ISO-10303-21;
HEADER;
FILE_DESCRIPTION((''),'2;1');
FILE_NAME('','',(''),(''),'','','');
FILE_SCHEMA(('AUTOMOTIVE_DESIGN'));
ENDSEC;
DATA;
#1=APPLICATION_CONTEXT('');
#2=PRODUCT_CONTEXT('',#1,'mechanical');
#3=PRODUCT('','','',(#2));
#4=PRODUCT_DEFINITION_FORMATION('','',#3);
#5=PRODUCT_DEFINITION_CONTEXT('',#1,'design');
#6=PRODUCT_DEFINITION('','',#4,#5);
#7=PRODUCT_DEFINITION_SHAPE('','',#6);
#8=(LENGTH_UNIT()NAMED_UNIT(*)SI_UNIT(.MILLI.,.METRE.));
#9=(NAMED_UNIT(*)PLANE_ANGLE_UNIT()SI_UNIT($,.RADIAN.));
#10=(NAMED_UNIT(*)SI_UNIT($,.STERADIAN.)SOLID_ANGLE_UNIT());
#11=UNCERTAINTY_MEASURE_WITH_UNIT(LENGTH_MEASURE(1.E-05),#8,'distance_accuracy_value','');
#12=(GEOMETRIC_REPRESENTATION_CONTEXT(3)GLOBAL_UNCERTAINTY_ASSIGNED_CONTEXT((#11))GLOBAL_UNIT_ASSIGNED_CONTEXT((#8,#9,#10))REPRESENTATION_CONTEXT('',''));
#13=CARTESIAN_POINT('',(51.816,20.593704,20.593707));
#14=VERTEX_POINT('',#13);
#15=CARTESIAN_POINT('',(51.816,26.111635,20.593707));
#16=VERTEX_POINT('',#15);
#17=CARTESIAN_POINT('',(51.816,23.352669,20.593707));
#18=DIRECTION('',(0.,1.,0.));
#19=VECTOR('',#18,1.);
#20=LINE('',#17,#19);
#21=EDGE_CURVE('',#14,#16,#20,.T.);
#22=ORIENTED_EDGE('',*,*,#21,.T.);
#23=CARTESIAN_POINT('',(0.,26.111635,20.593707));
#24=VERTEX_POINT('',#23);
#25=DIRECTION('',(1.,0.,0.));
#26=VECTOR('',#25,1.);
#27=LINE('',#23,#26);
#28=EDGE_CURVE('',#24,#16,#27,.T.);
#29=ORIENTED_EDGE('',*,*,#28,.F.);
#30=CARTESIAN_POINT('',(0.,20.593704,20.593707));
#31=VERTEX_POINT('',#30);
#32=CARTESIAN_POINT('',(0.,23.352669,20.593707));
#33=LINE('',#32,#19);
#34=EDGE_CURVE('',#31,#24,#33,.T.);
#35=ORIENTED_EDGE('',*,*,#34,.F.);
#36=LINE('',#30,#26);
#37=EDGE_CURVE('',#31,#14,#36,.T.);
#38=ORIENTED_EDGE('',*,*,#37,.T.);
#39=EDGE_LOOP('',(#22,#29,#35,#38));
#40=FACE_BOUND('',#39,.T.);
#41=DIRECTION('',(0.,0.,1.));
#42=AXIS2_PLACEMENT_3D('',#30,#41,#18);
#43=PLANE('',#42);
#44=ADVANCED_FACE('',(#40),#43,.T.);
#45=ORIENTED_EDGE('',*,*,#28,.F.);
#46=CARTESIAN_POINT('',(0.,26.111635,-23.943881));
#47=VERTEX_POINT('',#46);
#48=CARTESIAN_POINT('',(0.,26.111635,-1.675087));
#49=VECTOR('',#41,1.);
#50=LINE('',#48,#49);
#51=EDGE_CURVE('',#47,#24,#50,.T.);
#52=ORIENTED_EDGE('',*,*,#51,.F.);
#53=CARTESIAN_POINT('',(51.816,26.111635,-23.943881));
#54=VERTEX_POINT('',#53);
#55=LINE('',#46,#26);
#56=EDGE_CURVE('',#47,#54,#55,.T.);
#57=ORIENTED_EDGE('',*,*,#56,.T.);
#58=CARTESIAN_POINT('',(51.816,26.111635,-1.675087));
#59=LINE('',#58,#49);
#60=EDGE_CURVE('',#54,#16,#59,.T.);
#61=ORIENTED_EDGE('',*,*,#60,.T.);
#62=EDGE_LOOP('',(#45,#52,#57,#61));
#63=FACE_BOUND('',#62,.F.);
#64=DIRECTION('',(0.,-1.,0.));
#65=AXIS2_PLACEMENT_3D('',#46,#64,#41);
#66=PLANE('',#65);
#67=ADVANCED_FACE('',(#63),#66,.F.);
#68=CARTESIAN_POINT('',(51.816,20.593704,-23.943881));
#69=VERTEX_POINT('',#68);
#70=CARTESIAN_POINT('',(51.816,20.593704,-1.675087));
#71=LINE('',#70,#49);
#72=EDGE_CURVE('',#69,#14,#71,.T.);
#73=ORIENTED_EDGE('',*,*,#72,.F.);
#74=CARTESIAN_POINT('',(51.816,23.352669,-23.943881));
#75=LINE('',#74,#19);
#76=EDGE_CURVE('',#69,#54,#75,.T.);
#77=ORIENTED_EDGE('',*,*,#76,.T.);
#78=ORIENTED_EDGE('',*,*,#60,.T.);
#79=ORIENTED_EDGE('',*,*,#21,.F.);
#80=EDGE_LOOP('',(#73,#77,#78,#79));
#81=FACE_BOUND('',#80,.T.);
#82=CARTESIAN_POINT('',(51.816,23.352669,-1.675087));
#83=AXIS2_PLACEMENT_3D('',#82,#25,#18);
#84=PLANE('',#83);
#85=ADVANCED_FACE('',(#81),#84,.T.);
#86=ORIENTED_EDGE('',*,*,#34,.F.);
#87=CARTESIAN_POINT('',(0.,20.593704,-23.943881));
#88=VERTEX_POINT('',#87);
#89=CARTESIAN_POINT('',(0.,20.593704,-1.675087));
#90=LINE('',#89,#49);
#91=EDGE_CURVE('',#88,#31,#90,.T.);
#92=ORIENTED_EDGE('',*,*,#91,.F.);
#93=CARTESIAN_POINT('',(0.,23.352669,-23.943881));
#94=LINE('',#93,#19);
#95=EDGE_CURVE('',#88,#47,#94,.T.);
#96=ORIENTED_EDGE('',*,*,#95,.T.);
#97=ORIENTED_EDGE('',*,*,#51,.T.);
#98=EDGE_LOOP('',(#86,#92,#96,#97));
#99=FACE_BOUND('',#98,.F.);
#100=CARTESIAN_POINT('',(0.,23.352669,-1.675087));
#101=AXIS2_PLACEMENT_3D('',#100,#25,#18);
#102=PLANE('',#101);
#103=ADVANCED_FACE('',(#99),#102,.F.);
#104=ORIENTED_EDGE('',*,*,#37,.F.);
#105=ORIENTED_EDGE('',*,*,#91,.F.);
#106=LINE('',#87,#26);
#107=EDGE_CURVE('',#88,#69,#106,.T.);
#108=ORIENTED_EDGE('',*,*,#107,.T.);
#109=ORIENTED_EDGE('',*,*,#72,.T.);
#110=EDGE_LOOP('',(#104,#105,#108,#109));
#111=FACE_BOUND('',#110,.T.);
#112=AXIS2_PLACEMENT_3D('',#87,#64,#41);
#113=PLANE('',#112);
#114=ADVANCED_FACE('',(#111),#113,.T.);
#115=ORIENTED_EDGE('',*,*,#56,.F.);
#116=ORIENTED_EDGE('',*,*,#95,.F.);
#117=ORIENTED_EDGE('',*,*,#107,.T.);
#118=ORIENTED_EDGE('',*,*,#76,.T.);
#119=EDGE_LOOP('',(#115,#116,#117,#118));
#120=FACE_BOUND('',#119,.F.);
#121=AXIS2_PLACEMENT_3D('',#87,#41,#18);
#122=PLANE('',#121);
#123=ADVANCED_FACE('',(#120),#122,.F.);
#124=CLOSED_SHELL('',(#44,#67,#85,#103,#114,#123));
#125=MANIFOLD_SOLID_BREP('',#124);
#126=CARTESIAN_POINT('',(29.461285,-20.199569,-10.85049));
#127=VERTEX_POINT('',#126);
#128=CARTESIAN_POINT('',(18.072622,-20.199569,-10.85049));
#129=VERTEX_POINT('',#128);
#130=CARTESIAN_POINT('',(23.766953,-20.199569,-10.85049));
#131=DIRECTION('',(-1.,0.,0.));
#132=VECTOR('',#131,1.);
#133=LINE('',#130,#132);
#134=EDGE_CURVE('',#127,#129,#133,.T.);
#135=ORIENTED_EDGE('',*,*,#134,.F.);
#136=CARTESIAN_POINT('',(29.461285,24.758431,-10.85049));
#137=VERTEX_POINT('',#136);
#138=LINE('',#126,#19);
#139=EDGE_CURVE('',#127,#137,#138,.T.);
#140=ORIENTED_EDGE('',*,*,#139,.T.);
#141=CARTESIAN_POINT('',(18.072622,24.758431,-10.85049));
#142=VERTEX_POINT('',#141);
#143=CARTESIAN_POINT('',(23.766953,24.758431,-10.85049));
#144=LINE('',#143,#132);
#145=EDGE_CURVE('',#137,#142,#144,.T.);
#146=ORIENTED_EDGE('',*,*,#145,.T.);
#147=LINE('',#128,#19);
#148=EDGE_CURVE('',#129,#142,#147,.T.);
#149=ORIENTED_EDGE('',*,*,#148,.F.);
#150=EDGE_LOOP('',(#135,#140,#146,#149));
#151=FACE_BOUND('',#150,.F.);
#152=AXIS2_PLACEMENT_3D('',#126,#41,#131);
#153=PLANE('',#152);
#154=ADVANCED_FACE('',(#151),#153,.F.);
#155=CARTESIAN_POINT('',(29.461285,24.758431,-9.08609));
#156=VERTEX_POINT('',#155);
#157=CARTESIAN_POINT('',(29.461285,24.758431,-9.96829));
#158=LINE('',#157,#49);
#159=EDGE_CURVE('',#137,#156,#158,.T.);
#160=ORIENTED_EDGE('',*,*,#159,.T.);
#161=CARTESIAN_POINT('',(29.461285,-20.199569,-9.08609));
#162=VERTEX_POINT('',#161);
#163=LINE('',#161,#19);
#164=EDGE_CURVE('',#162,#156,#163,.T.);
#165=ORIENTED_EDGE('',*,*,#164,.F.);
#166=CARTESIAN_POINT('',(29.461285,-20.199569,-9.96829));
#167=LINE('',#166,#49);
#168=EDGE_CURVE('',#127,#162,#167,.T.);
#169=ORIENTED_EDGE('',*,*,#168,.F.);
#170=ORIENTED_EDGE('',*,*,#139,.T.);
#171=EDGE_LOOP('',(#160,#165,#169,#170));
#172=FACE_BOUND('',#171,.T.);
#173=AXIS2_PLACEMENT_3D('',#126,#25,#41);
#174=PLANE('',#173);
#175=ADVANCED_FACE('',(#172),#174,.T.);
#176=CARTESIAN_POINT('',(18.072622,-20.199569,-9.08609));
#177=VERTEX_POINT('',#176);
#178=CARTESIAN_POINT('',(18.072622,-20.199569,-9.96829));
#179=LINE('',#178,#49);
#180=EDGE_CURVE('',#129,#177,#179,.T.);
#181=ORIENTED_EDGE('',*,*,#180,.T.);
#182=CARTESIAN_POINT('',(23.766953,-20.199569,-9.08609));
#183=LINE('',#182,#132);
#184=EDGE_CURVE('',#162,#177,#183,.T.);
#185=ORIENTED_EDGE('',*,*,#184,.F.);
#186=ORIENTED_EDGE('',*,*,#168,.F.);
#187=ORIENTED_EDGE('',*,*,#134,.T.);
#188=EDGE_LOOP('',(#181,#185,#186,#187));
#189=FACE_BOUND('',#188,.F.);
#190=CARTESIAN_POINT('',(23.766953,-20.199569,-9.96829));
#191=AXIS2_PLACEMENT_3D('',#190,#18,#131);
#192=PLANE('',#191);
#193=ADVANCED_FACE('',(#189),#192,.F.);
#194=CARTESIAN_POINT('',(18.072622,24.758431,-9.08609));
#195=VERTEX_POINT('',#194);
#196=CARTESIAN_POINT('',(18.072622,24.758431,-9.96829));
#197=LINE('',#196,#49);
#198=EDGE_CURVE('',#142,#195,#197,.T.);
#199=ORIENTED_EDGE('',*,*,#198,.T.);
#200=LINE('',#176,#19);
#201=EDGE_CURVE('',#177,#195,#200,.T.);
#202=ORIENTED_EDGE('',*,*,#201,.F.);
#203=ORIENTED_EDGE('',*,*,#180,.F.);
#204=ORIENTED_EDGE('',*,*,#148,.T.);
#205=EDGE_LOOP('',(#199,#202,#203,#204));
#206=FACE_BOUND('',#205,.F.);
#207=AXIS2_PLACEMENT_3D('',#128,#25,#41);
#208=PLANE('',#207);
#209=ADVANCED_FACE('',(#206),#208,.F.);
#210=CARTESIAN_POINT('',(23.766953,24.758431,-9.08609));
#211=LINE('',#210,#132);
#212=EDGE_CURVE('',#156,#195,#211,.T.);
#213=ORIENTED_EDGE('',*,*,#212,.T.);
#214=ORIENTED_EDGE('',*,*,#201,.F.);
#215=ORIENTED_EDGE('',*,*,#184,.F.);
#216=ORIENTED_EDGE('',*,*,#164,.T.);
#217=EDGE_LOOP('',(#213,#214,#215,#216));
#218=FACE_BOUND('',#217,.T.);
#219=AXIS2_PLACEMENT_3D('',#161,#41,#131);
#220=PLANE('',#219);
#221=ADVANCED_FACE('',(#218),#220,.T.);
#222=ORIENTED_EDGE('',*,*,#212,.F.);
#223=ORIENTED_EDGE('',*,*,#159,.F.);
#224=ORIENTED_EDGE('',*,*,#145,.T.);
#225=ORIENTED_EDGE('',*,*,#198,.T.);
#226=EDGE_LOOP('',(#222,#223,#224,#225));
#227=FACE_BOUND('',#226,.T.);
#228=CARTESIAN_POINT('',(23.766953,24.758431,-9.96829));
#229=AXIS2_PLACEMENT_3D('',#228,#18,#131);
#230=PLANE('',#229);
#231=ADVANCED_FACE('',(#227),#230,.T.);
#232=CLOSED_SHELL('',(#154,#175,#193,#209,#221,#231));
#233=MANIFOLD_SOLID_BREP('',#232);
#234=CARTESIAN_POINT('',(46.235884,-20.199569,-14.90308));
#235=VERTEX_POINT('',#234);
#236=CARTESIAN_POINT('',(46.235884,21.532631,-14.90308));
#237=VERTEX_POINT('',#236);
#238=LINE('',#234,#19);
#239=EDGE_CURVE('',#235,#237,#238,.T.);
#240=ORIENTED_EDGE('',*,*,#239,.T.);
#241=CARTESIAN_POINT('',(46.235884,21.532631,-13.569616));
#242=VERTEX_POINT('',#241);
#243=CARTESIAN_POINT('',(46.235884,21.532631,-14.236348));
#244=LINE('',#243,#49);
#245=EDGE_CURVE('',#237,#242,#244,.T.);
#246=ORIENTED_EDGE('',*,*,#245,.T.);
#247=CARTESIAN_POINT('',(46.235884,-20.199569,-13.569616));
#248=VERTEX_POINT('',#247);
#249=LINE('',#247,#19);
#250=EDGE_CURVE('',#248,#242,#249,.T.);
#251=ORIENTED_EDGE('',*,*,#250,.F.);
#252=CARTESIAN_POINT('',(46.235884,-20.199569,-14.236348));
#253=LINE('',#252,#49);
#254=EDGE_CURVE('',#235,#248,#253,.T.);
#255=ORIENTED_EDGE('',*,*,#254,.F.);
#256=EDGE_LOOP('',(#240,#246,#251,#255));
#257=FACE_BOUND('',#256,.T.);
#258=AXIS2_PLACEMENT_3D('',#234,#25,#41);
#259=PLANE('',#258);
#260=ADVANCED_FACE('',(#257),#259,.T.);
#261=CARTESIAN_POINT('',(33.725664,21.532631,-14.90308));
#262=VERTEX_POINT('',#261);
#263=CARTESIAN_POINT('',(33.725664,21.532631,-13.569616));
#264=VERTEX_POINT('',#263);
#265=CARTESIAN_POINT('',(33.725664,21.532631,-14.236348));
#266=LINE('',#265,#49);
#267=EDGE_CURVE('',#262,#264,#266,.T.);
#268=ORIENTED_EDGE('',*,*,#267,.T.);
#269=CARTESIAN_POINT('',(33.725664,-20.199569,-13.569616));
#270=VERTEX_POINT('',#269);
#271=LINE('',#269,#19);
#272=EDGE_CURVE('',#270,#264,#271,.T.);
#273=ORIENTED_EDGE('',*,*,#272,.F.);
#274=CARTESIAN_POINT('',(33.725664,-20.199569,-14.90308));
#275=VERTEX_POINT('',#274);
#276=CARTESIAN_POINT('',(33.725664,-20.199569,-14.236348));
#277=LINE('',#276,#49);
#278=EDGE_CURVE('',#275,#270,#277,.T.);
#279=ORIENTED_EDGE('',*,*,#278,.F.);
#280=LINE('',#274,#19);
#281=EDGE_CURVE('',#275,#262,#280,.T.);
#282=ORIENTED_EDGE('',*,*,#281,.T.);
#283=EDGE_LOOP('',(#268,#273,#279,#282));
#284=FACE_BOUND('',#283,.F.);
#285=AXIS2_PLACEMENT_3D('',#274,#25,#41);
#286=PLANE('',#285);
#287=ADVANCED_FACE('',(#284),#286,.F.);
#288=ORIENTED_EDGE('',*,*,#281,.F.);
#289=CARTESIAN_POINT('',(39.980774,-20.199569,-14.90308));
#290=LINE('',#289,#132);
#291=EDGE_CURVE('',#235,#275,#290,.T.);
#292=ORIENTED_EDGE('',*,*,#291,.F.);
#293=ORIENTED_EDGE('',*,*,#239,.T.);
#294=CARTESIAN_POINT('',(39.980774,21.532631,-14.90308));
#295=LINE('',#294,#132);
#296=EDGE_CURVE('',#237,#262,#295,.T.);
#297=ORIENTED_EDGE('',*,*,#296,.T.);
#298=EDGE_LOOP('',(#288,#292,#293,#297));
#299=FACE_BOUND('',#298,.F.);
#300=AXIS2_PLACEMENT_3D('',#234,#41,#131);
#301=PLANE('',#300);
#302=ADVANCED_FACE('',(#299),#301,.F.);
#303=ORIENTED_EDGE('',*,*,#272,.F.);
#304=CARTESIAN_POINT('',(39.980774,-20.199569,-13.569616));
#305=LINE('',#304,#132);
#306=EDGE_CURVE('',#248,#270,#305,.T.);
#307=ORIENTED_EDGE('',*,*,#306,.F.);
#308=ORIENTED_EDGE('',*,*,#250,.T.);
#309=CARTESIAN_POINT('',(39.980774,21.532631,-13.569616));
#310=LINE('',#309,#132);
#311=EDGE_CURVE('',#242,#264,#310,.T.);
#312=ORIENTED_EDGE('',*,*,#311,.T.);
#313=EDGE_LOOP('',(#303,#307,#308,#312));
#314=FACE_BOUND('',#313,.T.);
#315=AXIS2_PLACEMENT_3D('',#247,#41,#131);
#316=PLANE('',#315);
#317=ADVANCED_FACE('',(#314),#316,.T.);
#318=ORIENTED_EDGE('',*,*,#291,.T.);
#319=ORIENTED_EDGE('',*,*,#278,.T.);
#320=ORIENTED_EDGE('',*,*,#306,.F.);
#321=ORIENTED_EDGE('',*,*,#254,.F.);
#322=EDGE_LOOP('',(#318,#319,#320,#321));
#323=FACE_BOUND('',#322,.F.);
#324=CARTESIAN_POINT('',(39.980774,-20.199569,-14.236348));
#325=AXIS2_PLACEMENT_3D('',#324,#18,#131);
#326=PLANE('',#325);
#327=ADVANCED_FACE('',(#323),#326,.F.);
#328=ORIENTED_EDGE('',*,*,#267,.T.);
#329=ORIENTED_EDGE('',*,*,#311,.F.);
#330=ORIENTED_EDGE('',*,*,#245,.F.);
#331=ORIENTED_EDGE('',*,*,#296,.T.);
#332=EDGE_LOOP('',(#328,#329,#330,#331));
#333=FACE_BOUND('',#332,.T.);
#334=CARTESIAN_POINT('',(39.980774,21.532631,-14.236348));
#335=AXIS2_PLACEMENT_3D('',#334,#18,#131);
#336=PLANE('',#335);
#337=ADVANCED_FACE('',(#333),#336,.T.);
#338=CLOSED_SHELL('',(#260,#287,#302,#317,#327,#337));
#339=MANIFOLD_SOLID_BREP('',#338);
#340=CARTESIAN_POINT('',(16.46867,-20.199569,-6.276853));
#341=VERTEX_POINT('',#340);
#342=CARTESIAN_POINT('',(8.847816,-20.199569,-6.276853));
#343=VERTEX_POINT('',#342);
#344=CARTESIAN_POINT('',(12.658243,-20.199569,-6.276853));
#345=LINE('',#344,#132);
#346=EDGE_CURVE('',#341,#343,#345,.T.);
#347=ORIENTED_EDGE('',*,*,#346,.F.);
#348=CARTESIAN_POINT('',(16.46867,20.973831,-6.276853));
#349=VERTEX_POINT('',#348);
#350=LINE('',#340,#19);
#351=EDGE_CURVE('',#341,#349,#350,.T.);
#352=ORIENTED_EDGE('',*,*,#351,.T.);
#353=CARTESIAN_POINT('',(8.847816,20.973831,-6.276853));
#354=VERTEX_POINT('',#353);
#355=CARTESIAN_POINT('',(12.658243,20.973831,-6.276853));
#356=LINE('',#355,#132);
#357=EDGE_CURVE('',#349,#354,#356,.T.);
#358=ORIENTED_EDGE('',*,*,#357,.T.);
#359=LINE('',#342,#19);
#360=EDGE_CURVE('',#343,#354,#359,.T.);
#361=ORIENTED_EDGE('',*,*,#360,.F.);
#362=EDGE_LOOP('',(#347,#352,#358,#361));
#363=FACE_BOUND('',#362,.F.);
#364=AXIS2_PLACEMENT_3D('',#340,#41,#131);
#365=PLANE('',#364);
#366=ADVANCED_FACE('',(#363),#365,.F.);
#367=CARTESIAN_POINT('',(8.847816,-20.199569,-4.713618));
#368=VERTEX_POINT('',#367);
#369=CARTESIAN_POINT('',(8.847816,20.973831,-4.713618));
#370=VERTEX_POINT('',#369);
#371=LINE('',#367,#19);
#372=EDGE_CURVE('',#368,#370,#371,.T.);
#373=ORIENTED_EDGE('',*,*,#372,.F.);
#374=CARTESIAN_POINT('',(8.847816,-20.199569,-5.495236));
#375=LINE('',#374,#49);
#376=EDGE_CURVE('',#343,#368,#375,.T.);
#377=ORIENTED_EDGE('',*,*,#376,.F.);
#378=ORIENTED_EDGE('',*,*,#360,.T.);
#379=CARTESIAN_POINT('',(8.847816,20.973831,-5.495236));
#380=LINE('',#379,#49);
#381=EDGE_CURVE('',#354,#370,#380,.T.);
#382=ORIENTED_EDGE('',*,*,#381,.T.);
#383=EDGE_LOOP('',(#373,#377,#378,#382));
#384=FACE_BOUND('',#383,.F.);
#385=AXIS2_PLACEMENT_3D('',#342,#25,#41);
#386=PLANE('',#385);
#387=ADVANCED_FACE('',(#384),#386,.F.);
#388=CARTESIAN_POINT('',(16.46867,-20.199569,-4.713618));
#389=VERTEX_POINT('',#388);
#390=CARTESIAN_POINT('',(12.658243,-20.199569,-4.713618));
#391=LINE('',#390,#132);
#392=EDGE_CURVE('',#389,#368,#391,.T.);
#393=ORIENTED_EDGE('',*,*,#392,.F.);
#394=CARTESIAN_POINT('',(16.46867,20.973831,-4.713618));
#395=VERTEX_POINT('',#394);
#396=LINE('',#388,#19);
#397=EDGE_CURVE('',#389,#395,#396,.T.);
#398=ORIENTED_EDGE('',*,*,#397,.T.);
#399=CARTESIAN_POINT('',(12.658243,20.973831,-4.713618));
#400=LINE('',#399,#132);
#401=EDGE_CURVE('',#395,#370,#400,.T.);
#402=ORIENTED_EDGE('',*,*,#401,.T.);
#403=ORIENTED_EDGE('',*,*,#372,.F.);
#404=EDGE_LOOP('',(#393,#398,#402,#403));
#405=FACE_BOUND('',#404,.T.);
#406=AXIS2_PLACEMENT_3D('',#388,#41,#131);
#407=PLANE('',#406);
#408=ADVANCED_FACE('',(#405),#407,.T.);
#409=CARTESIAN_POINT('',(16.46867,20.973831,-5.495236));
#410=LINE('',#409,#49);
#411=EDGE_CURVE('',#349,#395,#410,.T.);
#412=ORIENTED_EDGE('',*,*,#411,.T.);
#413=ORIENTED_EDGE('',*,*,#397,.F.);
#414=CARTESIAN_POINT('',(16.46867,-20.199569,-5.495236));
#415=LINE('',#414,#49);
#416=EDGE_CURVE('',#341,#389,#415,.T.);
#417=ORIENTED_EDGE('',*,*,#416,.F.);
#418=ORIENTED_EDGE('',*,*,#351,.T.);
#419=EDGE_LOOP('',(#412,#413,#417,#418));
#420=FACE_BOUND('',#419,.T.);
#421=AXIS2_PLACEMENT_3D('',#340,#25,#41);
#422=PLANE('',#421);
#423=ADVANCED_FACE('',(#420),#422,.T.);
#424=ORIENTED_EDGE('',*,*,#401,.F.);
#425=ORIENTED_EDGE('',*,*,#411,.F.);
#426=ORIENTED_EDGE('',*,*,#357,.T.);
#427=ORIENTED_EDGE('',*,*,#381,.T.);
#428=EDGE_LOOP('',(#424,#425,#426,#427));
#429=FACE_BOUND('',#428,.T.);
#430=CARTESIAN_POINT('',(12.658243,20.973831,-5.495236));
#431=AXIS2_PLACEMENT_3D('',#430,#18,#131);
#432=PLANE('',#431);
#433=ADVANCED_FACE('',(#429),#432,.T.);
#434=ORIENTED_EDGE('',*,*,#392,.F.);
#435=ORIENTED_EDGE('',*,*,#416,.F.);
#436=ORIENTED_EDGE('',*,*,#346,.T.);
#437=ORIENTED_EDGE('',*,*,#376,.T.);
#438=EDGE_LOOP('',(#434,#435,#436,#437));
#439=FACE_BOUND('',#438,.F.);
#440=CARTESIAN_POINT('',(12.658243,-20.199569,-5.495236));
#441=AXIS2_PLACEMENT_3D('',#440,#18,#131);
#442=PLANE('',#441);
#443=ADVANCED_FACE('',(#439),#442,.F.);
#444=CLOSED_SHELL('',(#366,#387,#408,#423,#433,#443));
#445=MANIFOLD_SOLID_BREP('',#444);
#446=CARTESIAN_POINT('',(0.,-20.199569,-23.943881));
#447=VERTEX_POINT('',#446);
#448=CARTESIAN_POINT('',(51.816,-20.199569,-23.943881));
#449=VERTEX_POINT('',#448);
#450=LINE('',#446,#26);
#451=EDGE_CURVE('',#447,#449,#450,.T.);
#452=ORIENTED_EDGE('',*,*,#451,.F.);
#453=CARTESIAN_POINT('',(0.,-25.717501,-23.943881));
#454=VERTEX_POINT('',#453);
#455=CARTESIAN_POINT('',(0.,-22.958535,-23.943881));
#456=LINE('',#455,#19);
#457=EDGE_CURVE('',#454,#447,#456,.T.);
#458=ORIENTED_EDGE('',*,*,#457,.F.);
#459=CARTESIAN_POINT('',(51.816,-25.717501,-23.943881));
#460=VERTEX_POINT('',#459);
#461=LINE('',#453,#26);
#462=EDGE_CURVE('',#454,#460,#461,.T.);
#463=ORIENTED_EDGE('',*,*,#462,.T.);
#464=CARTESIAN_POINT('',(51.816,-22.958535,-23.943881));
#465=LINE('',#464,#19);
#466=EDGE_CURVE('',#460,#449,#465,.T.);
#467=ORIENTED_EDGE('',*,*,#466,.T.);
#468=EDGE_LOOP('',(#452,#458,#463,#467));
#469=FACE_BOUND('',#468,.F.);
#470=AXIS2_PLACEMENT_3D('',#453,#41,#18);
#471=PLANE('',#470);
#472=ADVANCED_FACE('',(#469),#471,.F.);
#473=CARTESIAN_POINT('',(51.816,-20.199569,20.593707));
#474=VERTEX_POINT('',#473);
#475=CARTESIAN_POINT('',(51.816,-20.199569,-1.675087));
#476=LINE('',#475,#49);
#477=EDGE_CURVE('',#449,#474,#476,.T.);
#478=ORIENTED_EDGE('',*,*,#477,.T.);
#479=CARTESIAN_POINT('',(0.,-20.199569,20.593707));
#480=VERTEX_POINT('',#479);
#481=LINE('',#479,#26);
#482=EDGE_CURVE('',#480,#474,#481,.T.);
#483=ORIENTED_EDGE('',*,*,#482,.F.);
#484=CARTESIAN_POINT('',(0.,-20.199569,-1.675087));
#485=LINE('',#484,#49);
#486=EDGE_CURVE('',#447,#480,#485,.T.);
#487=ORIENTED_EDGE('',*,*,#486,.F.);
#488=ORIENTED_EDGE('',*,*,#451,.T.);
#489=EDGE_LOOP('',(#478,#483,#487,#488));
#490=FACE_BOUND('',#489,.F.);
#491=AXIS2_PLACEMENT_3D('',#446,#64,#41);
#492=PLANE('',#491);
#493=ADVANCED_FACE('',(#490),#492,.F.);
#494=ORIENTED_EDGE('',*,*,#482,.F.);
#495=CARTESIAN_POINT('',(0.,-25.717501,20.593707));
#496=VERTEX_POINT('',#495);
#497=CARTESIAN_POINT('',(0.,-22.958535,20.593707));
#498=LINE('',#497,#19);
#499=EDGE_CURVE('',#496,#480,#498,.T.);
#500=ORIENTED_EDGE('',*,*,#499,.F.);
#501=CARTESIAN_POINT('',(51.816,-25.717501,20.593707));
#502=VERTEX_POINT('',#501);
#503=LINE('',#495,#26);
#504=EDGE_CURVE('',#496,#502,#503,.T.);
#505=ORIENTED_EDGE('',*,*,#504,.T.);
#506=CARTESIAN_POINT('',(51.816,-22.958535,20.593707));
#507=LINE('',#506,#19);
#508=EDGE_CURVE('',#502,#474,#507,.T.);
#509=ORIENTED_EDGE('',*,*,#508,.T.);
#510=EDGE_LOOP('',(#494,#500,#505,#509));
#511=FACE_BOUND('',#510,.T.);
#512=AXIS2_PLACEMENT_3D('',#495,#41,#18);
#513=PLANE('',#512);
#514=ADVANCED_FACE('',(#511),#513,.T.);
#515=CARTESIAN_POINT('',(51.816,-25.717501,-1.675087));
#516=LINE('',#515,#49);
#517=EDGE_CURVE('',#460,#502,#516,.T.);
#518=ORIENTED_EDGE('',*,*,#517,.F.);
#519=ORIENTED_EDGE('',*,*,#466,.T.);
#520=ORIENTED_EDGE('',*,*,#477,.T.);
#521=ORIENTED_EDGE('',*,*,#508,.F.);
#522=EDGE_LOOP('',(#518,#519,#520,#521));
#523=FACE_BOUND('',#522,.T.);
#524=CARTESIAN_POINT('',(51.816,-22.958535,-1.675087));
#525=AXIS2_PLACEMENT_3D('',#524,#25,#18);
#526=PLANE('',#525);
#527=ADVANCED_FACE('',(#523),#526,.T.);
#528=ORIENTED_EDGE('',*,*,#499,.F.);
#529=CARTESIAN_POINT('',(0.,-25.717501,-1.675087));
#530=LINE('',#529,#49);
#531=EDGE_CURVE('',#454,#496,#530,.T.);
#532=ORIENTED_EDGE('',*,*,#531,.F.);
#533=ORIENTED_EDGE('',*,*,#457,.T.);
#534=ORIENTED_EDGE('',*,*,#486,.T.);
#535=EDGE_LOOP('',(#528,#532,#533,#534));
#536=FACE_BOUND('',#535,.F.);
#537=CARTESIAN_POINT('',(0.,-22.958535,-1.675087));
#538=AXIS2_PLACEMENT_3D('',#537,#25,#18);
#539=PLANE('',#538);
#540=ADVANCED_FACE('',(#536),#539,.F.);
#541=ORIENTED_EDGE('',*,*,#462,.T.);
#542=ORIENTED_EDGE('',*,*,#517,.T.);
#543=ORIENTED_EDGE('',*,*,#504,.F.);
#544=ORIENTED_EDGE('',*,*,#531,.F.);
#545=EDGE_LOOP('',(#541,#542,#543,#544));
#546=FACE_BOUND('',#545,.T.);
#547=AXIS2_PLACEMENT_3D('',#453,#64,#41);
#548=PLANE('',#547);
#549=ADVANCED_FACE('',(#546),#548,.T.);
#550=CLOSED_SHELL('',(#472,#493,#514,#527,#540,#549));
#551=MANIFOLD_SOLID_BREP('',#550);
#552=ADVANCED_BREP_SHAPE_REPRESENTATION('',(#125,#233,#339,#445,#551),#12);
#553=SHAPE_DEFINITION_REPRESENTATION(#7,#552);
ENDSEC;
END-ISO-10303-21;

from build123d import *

# Parameters (mm, degrees)
F0_W     = 5.517931
F0_H     = 44.537588
F0_W_2   = 5.517932
F1_DEPTH = 51.816
F2_W     = 12.510221
F2_H     = 1.333464
F3_DEPTH = 41.7322
F4_W     = 11.388663
F4_H     = 1.764399
F5_DEPTH = 44.958
F6_W     = 7.620854
F6_H     = 1.563235
F7_DEPTH = 41.1734


with BuildPart() as f1:
    # F0 (on Right) → F1 (new body)
    with BuildSketch(Plane.YZ):
        with Locations((23.352669, -1.675087)):
            Rectangle(F0_W, F0_H)
        with Locations((-22.958535, -1.675087)):
            Rectangle(F0_W_2, F0_H)
    extrude(amount=F1_DEPTH)


with BuildPart() as f3:
    # F2 (on face) → F3 (new body)
    with BuildSketch(Plane(origin=(0, -20.199569, 0), x_dir=(-1, 0, 0), z_dir=(0, 1, 0))):
        with Locations((-39.980774, -14.236348)):
            Rectangle(F2_W, F2_H)
    extrude(amount=F3_DEPTH)


with BuildPart() as f5:
    # F4 (on face) → F5 (new body)
    with BuildSketch(Plane(origin=(0, -20.199569, 0), x_dir=(-1, 0, 0), z_dir=(0, 1, 0))):
        with Locations((-23.766953, -9.96829)):
            Rectangle(F4_W, F4_H)
    extrude(amount=F5_DEPTH)


with BuildPart() as f7:
    # F6 (on face) → F7 (new body)
    with BuildSketch(Plane(origin=(0, -20.199569, 0), x_dir=(-1, 0, 0), z_dir=(0, 1, 0))):
        with Locations((-12.658243, -5.495236)):
            Rectangle(F6_W, F6_H)
    extrude(amount=F7_DEPTH)


solid = Compound([f1.part, f3.part, f5.part, f7.part])
